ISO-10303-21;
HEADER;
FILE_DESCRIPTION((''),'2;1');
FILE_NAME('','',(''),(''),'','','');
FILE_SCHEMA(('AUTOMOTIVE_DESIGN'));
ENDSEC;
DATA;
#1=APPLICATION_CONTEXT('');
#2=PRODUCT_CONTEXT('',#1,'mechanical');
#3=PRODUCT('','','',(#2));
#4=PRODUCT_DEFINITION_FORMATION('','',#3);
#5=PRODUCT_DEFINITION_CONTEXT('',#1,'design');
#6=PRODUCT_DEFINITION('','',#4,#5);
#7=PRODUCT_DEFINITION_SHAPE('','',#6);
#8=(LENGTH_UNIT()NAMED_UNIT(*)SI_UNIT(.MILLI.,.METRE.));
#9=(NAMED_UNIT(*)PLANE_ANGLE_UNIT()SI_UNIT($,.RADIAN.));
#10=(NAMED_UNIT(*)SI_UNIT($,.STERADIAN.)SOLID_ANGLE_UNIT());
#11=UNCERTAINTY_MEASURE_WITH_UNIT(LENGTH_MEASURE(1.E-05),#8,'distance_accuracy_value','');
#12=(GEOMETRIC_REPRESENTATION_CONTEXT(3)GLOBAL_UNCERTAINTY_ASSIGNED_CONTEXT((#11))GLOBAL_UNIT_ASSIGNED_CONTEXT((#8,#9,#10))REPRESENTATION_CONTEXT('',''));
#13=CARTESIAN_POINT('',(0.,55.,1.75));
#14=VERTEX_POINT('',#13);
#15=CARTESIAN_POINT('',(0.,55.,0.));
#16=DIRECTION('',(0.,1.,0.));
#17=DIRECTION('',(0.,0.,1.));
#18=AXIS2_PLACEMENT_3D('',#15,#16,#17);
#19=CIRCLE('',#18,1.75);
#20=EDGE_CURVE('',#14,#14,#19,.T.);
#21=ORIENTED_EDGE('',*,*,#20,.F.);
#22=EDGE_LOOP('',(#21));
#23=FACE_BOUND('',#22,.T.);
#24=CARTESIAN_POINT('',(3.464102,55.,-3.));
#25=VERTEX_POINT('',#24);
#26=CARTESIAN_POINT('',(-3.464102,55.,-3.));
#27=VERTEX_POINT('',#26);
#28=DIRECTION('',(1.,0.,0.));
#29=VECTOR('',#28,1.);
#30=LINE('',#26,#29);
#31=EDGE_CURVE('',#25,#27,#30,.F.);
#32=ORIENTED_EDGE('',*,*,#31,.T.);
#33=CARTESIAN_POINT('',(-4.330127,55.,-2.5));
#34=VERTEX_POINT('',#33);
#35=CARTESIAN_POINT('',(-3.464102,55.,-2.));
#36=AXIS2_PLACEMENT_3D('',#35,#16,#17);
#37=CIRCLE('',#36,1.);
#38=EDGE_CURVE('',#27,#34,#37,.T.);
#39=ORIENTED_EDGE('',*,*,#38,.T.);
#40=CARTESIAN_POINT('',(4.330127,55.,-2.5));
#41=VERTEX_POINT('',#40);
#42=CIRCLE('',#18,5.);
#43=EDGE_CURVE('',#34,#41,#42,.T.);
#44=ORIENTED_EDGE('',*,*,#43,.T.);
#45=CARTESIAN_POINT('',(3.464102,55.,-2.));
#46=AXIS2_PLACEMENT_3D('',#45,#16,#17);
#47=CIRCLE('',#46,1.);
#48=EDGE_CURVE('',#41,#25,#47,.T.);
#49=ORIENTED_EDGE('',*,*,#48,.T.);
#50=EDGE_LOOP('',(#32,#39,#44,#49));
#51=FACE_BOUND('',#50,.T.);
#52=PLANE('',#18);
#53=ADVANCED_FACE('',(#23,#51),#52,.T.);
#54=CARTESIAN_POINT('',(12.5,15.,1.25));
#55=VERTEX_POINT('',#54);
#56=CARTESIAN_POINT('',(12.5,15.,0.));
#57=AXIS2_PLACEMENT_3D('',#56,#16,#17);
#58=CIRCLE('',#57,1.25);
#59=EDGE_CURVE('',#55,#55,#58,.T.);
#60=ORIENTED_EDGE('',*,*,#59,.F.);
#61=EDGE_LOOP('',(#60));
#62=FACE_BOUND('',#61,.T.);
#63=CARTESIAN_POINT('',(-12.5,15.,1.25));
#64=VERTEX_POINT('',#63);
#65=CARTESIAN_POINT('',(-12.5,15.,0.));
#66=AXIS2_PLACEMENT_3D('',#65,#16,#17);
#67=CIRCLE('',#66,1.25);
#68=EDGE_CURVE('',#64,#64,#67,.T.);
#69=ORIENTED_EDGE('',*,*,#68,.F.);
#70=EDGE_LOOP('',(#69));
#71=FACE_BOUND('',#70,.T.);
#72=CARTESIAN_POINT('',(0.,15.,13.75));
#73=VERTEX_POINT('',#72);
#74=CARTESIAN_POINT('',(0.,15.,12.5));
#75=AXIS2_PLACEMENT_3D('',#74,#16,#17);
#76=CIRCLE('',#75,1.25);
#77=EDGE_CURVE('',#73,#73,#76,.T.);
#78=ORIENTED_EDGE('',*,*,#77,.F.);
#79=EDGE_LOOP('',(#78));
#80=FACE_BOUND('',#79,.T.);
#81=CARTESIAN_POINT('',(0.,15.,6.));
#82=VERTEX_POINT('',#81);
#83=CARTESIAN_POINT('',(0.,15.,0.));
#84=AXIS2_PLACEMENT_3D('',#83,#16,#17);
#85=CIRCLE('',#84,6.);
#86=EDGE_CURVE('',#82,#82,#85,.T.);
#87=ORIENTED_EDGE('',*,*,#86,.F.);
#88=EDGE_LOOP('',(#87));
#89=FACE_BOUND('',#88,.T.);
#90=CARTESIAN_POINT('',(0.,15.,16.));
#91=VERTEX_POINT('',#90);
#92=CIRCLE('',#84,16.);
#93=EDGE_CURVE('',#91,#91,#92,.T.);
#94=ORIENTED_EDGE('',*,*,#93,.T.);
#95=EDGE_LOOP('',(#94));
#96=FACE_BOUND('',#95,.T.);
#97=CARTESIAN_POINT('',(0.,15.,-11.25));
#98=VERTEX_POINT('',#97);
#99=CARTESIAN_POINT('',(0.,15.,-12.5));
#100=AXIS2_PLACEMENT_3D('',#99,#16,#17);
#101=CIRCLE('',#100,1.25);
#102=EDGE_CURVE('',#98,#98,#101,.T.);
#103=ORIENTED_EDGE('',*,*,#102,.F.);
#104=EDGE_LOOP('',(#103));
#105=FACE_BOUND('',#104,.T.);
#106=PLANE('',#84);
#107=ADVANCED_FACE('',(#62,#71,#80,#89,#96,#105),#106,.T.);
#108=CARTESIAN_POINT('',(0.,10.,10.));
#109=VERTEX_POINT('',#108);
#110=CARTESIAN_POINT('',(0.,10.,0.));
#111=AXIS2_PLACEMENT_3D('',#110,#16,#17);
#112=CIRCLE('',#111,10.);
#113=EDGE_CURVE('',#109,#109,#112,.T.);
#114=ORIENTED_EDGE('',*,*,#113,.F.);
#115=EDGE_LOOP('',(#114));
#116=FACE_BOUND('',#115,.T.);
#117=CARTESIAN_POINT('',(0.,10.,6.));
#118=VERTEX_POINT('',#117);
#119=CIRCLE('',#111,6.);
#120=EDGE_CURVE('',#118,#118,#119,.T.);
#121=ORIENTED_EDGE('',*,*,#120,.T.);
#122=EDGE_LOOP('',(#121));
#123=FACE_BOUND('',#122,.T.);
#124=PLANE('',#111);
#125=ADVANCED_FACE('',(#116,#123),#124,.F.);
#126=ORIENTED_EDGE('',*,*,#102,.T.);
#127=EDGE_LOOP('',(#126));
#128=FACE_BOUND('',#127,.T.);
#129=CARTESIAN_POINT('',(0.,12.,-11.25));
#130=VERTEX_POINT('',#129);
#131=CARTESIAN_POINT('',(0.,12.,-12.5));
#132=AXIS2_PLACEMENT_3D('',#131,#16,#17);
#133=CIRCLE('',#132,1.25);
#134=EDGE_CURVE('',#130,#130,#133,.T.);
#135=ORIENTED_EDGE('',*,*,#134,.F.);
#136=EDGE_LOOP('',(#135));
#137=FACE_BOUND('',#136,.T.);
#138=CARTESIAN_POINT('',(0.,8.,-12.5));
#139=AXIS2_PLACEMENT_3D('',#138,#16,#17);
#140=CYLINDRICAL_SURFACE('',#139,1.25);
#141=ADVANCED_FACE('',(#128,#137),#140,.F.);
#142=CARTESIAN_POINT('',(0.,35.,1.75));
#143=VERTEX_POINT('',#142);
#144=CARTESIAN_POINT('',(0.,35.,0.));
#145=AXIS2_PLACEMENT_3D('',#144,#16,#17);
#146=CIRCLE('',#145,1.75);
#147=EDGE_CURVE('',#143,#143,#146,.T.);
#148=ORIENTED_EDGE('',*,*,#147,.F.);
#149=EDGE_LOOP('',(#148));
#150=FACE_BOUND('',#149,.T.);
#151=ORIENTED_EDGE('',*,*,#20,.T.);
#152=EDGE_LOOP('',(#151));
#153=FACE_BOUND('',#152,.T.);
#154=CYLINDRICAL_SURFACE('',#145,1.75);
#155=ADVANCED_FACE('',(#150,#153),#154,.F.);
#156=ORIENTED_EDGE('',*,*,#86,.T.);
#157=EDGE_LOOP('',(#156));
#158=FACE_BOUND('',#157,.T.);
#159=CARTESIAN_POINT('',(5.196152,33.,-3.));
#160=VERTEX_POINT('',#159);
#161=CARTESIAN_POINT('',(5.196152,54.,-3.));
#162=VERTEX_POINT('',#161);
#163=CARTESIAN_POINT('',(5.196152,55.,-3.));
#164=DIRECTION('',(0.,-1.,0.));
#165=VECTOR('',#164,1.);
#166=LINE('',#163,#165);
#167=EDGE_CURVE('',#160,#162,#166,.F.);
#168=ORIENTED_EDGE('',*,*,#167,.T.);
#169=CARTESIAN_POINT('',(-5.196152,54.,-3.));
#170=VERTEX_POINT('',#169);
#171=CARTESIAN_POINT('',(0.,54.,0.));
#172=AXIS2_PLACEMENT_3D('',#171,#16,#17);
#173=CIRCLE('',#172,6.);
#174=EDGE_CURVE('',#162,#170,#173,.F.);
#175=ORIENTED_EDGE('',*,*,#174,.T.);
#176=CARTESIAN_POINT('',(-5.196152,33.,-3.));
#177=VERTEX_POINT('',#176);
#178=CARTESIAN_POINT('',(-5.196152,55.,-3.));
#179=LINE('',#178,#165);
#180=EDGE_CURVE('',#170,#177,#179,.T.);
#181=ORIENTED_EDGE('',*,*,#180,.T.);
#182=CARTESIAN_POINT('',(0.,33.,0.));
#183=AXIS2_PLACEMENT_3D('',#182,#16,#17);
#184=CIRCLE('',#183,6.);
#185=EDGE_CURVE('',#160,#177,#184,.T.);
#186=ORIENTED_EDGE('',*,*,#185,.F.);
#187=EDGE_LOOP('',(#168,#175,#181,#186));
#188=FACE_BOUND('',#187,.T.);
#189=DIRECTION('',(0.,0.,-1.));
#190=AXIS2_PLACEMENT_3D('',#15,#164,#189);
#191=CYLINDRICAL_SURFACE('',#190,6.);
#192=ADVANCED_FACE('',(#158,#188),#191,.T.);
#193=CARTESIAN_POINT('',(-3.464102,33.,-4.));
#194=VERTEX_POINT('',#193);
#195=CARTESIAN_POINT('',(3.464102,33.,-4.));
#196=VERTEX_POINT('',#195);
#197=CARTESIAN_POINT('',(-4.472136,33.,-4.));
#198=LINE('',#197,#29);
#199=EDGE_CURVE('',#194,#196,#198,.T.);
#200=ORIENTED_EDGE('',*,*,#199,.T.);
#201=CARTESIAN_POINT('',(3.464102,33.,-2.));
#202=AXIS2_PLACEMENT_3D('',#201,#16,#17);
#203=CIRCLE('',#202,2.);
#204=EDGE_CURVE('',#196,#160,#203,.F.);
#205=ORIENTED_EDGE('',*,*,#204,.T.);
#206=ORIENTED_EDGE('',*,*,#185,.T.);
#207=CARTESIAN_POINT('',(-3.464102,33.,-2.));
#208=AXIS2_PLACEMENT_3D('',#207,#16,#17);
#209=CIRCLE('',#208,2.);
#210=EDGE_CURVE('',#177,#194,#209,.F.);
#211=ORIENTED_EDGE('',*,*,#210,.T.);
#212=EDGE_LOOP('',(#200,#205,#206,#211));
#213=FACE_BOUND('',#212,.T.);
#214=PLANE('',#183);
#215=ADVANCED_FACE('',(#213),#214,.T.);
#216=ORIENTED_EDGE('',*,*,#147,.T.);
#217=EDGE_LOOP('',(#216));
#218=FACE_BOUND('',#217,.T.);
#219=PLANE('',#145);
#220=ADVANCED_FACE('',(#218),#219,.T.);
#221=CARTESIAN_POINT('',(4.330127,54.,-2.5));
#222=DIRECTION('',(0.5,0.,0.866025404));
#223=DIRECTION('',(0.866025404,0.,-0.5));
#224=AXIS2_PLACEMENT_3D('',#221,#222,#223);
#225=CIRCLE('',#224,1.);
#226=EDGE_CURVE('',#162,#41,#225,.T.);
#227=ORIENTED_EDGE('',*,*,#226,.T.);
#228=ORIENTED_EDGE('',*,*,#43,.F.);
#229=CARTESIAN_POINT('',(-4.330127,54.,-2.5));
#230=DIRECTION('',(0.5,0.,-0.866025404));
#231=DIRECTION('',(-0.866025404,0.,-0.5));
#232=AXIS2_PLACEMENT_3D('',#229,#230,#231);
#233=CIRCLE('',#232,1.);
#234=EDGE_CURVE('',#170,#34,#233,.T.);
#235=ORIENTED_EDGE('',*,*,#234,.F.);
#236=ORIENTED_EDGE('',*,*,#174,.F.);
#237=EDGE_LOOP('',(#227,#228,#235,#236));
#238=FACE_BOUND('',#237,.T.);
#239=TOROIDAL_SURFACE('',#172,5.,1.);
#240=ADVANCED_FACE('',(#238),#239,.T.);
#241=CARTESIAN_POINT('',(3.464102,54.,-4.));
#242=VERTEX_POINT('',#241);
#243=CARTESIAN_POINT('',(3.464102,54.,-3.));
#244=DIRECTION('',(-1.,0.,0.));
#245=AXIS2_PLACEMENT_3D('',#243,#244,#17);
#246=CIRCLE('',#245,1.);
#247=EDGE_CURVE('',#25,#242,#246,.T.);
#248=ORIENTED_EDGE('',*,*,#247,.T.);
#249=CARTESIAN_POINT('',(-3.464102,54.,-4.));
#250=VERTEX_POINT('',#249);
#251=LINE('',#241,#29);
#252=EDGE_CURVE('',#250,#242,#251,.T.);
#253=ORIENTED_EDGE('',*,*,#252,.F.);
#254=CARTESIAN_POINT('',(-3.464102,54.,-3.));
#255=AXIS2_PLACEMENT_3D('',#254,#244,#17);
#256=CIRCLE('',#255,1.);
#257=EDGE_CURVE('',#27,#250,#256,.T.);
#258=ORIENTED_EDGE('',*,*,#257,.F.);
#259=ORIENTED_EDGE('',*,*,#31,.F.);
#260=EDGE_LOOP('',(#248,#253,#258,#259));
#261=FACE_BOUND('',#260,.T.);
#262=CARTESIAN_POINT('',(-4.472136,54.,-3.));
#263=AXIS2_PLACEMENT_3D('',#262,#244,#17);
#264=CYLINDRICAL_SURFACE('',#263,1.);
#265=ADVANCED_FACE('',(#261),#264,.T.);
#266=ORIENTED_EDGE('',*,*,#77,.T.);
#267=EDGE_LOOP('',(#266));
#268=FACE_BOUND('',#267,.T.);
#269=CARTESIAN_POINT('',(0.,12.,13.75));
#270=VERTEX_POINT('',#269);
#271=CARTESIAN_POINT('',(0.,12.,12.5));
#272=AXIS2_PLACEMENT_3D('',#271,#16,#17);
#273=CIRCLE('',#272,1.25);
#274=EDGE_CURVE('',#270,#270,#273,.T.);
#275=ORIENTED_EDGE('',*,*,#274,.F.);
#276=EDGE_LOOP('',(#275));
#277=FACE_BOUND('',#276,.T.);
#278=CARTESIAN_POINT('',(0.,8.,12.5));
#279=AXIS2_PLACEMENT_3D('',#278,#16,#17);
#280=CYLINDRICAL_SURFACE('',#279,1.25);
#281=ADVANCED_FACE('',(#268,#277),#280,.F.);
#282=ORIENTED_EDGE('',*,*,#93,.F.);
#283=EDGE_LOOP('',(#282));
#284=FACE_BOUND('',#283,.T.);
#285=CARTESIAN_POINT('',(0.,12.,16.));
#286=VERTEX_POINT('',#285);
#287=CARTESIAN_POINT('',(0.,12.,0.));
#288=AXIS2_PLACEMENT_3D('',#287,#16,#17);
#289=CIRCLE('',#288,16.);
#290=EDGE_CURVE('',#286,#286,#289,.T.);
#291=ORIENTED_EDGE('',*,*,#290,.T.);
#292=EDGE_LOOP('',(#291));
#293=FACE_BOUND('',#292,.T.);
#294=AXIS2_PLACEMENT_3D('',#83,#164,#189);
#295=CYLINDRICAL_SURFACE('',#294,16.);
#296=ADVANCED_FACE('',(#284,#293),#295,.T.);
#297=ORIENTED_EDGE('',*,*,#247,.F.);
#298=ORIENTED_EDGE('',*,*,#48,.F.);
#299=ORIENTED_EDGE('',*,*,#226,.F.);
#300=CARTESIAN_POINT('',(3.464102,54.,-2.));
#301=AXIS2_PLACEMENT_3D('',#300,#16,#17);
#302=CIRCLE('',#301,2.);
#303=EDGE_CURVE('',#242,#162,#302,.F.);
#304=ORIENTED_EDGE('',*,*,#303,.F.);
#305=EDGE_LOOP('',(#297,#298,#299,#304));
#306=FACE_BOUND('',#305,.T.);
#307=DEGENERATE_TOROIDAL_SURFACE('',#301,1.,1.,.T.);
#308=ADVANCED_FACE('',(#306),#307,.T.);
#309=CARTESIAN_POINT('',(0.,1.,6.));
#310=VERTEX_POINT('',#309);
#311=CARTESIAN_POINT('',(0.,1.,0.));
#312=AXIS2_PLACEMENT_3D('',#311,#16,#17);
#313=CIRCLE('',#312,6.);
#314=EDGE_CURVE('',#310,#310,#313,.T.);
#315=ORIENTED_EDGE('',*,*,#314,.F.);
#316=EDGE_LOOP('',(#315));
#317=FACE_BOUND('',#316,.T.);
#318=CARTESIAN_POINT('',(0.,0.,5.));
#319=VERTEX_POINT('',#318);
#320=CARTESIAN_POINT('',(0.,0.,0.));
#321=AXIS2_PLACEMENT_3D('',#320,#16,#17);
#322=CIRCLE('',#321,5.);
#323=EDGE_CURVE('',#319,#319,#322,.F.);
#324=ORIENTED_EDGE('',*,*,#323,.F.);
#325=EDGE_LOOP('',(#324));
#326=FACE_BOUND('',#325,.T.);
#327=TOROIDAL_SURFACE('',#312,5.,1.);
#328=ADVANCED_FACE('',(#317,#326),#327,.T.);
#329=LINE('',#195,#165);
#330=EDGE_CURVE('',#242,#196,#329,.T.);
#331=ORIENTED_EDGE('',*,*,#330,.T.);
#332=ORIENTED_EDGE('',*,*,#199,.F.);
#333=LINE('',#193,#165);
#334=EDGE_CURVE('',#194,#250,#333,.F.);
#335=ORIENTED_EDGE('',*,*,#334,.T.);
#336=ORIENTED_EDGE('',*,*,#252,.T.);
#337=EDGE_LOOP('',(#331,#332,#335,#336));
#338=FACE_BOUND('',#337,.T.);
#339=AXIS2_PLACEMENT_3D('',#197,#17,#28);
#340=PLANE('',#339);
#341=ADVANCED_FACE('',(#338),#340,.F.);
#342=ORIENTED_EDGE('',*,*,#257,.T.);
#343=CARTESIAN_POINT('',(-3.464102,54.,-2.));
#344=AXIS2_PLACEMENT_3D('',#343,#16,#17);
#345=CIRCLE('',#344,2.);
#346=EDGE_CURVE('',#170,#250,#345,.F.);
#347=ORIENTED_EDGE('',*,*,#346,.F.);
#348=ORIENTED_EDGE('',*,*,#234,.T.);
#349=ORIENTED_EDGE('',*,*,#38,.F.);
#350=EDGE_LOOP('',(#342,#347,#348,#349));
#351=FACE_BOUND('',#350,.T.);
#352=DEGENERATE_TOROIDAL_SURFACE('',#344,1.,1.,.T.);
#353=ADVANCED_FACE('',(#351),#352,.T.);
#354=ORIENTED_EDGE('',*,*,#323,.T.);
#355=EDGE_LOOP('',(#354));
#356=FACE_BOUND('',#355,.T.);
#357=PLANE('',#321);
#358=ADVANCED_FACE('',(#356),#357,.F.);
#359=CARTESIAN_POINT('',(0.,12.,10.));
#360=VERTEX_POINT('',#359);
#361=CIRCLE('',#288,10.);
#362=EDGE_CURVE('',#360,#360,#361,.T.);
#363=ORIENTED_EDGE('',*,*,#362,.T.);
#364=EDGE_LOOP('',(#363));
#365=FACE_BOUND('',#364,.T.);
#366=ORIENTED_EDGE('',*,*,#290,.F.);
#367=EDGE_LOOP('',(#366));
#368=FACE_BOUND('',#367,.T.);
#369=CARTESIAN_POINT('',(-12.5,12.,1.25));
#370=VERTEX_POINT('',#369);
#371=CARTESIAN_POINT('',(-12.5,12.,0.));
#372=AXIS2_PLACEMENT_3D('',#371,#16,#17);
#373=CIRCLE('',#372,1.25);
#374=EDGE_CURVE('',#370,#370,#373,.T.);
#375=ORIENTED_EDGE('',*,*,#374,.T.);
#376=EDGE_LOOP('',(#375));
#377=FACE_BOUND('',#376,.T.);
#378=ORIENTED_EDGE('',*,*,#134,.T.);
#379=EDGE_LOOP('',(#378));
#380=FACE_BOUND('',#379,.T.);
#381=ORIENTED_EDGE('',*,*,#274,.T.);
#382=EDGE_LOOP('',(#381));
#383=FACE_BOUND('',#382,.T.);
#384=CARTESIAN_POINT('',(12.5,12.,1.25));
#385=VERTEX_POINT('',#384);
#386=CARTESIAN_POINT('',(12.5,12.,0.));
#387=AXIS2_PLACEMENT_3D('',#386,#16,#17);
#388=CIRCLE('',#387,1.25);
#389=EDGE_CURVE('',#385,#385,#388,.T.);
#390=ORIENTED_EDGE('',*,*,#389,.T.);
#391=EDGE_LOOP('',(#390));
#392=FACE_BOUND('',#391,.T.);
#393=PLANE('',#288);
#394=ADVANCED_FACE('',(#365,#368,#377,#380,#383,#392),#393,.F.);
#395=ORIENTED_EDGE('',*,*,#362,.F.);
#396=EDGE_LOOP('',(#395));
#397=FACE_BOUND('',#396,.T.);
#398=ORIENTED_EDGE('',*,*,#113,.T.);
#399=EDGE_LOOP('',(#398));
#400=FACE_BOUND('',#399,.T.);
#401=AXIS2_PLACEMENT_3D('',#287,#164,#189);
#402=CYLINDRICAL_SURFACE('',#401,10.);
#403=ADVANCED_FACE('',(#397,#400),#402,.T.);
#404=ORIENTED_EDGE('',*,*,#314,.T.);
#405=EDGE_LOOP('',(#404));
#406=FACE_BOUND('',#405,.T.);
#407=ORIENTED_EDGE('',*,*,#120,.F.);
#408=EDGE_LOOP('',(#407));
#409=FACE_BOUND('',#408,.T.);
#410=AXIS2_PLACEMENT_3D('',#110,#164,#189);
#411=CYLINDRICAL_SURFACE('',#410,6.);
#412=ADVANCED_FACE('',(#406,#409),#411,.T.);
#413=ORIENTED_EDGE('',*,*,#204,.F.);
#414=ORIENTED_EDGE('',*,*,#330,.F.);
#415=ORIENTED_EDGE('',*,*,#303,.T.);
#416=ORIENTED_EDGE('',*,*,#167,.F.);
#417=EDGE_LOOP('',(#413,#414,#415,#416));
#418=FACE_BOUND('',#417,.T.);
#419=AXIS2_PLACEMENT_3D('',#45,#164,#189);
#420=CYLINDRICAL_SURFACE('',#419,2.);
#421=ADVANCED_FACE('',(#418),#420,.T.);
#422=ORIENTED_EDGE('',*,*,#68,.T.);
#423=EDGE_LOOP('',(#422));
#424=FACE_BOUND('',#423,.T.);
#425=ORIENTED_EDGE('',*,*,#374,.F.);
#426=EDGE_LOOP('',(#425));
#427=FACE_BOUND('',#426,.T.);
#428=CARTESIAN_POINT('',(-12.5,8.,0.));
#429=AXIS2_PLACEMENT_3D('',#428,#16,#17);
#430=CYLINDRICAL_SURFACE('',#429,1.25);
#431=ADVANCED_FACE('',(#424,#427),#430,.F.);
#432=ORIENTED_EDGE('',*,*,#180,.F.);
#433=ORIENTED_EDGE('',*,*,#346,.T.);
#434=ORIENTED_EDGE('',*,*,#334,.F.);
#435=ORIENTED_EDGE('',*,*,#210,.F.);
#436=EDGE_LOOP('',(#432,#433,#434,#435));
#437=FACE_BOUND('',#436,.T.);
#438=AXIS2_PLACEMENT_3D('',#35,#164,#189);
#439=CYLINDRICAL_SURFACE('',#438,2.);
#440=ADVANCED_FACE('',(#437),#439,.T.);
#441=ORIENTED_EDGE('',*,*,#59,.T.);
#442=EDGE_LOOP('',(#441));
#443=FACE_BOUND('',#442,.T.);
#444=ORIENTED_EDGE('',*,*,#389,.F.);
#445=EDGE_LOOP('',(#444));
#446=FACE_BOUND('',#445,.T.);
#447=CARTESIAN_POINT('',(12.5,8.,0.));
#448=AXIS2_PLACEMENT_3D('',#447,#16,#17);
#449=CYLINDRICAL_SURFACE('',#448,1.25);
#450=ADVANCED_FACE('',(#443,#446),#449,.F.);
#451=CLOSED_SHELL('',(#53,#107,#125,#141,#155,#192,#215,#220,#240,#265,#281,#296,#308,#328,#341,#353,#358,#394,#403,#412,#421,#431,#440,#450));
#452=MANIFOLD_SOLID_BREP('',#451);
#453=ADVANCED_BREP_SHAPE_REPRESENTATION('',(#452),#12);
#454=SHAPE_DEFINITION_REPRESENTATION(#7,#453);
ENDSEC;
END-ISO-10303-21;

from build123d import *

# Parameters (mm, degrees)
SKETCH1_R           = 6
BOSS_EXTRUDE1_DEPTH = 10
SKETCH2_R           = 10
BOSS_EXTRUDE2_DEPTH = 2
SKETCH5_R           = 16
BOSS_EXTRUDE3_DEPTH = 3
SKETCH6_R           = 6
BOSS_EXTRUDE4_DEPTH = 40
FILLET1_R           = 1
CUT_EXTRUDE1_START  = -22
CUT_EXTRUDE1_DEPTH  = 22
FILLET2_R           = 2
FILLET3_R           = 1
SKETCH10_R          = 1.75
CUT_EXTRUDE2_DEPTH  = 20
SKETCH11_R          = 1.25
CUT_EXTRUDE3_DEPTH  = 7


with BuildPart() as part:
    # Sketch1 → Boss-Extrude1 (new body)
    with BuildSketch(Plane(origin=(0, 0, 0), x_dir=(1, 0, 0), z_dir=(0, 1, 0))):
        with Locations(Location((0, 0, 0), (0, 0, 270))):
            Circle(SKETCH1_R)
    extrude(amount=BOSS_EXTRUDE1_DEPTH)

    # Sketch2 → Boss-Extrude2 (add)
    with BuildSketch(Plane(origin=(0, 10, 0), x_dir=(1, 0, 0), z_dir=(0, 1, 0))):
        with Locations(Location((0, 0, 0), (0, 0, 270))):
            Circle(SKETCH2_R)
    extrude(amount=BOSS_EXTRUDE2_DEPTH)

    # Sketch5 → Boss-Extrude3 (add)
    with BuildSketch(Plane(origin=(0, 12, 0), x_dir=(1, 0, 0), z_dir=(0, 1, 0))):
        with Locations(Location((0, 0, 0), (0, 0, 270))):
            Circle(SKETCH5_R)
    extrude(amount=BOSS_EXTRUDE3_DEPTH)

    # Sketch6 → Boss-Extrude4 (add)
    with BuildSketch(Plane(origin=(0, 15, 0), x_dir=(1, 0, 0), z_dir=(0, 1, 0))):
        with Locations(Location((0, 0, 0), (0, 0, 270))):
            Circle(SKETCH6_R)
    extrude(amount=BOSS_EXTRUDE4_DEPTH)

    # Fillet1
    fillet1_edges = [part.edges().sort_by_distance(p)[0] for p in [
        (0, 0, -6),
    ]]
    fillet(fillet1_edges, radius=FILLET1_R)

    # Sketch7 → Cut-Extrude1 (cut)
    with BuildSketch(Plane(origin=(0, 55, 0), x_dir=(1, 0, 0), z_dir=(0, 1, 0)).offset(CUT_EXTRUDE1_START)):
        with BuildLine():
            Line((-4.472135955, 4), (4.472135955, 4))
            ThreePointArc((4.472135955, 4), (0, 6), (-4.472135955, 4))
        make_face()
    extrude(amount=CUT_EXTRUDE1_DEPTH, mode=Mode.SUBTRACT)

    # Fillet2
    fillet2_edges = [part.edges().sort_by_distance(p)[0] for p in [
        (-4.472135955, 44, -4),
        (4.472135955, 44, -4),
    ]]
    fillet(fillet2_edges, radius=FILLET2_R)

    # Fillet3
    fillet3_edges = [part.edges().sort_by_distance(p)[0] for p in [
        (5.196152423, 55, 3),
        (0, 55, -4),
        (-4.464101615, 55, -3.732050808),
        (4.464101615, 55, -3.732050808),
    ]]
    fillet(fillet3_edges, radius=FILLET3_R)

    # Sketch10 → Cut-Extrude2 (cut)
    with BuildSketch(Plane(origin=(0, 55, 0), x_dir=(1, 0, 0), z_dir=(0, 1, 0))):
        with Locations(Location((0, 0, 0), (0, 0, 270))):
            Circle(SKETCH10_R)
    extrude(amount=-CUT_EXTRUDE2_DEPTH, mode=Mode.SUBTRACT)

    # Sketch11 → Cut-Extrude3 (cut)
    with BuildSketch(Plane(origin=(0, 15, 0), x_dir=(1, 0, 0), z_dir=(0, 1, 0))):
        with Locations(Location((0, 12.5, 0), (0, 0, 270))):
            Circle(SKETCH11_R)
        with Locations(Location((12.5, 0, 0), (0, 0, 270))):
            Circle(SKETCH11_R)
        with Locations(Location((0, -12.5, 0), (0, 0, 270))):
            Circle(SKETCH11_R)
        with Locations(Location((-12.5, 0, 0), (0, 0, 270))):
            Circle(SKETCH11_R)
    extrude(amount=-CUT_EXTRUDE3_DEPTH, mode=Mode.SUBTRACT)


solid = part.part
